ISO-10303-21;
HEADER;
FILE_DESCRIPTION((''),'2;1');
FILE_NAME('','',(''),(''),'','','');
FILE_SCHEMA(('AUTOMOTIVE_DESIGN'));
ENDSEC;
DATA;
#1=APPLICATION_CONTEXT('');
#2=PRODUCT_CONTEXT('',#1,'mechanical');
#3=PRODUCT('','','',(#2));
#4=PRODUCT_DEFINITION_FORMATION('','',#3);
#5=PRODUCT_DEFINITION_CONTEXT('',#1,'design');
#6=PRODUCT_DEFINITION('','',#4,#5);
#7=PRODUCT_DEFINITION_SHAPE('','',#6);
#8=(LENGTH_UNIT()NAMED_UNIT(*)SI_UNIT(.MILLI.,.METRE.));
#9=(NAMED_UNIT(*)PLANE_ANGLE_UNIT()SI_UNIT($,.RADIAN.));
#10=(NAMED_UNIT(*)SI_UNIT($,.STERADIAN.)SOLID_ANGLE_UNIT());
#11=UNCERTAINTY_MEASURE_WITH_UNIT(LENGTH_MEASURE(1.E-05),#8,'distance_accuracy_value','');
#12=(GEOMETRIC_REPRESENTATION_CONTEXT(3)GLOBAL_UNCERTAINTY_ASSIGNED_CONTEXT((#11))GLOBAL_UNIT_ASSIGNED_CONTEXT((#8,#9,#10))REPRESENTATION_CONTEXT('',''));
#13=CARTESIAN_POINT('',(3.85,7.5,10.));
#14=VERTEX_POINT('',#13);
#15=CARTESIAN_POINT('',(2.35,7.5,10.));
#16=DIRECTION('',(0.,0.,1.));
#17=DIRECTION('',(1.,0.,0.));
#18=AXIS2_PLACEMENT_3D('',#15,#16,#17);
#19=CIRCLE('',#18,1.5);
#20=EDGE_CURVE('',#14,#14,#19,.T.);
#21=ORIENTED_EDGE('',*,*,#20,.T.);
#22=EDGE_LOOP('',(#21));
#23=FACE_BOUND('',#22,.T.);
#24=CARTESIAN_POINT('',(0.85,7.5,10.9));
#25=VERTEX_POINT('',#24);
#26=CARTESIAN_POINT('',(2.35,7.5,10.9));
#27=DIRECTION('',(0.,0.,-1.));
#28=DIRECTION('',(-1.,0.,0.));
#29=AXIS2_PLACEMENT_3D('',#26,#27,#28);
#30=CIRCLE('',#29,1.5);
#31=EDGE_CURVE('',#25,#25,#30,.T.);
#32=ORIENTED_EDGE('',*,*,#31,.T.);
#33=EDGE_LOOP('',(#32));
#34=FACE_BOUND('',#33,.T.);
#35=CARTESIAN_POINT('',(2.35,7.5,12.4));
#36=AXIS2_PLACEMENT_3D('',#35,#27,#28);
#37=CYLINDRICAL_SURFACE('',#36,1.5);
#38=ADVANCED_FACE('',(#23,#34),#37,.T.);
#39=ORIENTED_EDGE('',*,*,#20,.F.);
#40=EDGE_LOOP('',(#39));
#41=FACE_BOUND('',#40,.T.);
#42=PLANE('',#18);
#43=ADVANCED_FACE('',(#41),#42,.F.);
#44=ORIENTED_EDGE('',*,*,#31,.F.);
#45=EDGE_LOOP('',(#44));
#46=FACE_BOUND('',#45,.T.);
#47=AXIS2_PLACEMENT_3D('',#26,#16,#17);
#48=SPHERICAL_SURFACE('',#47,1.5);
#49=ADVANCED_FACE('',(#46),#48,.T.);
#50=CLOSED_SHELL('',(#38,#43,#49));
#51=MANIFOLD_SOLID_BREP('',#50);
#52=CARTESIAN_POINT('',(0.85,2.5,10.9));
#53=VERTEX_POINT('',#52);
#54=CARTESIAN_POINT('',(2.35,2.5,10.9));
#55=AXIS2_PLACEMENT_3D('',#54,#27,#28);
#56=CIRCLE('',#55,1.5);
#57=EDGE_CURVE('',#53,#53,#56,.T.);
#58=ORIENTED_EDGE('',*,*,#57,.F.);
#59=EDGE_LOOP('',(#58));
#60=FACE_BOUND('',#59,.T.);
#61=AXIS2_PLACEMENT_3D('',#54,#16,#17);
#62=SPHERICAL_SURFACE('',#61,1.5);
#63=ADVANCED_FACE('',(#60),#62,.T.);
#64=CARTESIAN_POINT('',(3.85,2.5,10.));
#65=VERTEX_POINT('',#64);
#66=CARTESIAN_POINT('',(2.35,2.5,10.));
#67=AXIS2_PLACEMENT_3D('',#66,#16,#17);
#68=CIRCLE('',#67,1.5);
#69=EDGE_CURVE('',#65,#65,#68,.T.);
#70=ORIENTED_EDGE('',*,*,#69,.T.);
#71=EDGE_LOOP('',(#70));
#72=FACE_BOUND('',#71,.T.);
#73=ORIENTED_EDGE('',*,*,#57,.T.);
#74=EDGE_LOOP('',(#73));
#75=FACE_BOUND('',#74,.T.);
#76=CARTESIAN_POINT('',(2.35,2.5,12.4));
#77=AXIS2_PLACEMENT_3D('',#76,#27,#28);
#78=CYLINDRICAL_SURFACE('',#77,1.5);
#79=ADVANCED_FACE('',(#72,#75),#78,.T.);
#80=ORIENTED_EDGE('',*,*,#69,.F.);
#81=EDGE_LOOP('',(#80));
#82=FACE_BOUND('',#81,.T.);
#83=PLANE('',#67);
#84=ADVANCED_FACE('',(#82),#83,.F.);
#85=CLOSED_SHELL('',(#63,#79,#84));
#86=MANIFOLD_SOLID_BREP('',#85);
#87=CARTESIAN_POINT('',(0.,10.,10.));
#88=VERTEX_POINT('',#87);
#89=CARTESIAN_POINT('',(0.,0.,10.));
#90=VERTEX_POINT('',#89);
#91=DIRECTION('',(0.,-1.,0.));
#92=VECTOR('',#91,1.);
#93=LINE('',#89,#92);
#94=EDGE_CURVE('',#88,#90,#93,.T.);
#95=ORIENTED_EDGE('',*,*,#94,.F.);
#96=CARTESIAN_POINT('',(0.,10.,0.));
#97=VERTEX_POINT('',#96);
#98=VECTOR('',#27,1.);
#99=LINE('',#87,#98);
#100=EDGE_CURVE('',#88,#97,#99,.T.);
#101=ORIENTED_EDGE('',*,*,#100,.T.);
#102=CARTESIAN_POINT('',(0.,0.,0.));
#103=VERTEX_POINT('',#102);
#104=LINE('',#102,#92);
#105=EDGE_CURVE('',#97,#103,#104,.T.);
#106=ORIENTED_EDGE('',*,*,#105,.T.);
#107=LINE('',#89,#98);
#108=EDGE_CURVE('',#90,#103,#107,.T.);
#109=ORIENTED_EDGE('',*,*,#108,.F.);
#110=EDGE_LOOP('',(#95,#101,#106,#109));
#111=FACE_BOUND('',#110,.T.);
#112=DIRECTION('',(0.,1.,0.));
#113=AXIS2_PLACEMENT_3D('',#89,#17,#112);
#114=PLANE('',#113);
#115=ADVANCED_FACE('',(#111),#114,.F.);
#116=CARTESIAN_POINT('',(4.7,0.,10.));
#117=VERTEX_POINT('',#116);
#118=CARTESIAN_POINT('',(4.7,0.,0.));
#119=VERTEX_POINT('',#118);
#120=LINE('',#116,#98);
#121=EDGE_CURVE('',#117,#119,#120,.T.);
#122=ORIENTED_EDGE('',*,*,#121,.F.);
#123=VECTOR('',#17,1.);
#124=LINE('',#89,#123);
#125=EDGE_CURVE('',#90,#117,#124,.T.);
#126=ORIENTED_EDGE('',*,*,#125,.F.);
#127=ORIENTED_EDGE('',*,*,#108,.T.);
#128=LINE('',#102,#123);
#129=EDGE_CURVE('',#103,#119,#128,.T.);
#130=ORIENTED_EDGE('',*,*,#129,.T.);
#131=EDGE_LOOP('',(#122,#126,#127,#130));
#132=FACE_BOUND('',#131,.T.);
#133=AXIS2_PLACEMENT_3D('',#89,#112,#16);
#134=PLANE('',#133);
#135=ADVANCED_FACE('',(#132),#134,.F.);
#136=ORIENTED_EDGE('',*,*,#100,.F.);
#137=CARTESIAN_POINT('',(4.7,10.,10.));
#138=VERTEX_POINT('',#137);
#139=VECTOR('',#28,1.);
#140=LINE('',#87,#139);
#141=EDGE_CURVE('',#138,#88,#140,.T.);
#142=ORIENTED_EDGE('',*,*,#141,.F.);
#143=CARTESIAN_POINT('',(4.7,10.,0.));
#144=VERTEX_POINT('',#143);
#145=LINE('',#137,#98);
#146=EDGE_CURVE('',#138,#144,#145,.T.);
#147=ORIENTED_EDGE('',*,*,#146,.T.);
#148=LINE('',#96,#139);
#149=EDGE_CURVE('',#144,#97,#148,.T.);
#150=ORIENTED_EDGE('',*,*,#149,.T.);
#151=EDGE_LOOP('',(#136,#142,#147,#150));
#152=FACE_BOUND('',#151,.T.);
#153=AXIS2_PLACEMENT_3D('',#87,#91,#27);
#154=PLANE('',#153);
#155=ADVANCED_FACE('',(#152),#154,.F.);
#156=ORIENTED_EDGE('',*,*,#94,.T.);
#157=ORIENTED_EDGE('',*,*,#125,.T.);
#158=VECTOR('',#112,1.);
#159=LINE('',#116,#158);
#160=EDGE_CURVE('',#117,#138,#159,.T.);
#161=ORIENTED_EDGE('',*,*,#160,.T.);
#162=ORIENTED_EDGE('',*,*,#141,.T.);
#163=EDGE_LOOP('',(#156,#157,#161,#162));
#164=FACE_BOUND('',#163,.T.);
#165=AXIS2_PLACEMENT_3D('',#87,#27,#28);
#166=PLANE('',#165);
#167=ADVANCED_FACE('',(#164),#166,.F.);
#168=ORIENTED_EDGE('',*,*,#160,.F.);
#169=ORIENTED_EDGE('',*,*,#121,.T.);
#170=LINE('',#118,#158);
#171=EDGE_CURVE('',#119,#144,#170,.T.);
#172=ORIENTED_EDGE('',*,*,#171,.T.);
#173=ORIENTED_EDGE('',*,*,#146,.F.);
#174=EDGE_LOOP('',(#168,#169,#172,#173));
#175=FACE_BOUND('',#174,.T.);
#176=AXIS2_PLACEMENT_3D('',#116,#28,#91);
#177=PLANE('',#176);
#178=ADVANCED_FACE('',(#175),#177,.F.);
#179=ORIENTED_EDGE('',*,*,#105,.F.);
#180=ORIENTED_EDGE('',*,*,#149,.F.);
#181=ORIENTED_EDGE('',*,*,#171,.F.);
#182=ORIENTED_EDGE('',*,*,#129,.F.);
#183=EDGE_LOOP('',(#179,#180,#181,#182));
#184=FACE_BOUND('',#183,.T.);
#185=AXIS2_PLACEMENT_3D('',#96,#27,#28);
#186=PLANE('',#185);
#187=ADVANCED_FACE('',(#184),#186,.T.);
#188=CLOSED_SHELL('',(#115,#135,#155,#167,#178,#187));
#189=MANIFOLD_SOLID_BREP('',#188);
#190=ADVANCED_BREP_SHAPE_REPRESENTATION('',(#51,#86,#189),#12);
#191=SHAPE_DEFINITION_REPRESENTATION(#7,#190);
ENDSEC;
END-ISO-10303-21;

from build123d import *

# Parameters (mm, degrees)
CROQUIS1_W       = 4.7
CROQUIS1_H       = 10
EXTRUIR1_DEPTH   = 10
CROQUIS2_R       = 1.5
EXTRUIR2_DEPTH   = 2.4
EXTRUIR2_2_DEPTH = 2.4
REDONDEO1_R      = 1.5
REDONDEO2_R      = 1.5


with BuildPart() as part:
    # Croquis1 → Extruir1 (new body)
    with BuildSketch(Plane.XY):
        with Locations((2.35, 5)):
            Rectangle(CROQUIS1_W, CROQUIS1_H)
    extrude(amount=EXTRUIR1_DEPTH)


with BuildPart() as body_2:
    # Croquis2 → Extruir2 (new body)
    with BuildSketch(Plane.XY.offset(10)):
        with Locations((2.35, 7.5)):
            Circle(CROQUIS2_R)
    extrude(amount=EXTRUIR2_DEPTH)

    # Redondeo1
    redondeo1_edges = [body_2.edges().sort_by_distance(p)[0] for p in [
        (0.85, 7.5, 12.4),
    ]]
    fillet(redondeo1_edges, radius=REDONDEO1_R)


with BuildPart() as body_3:
    # Croquis2 → Extruir2 2 (new body)
    with BuildSketch(Plane.XY.offset(10)):
        with Locations((2.35, 2.5)):
            Circle(CROQUIS2_R)
    extrude(amount=EXTRUIR2_2_DEPTH)

    # Redondeo2
    redondeo2_edges = [body_3.edges().sort_by_distance(p)[0] for p in [
        (0.85, 2.5, 12.4),
    ]]
    fillet(redondeo2_edges, radius=REDONDEO2_R)


solid = Compound([part.part, body_2.part, body_3.part])
